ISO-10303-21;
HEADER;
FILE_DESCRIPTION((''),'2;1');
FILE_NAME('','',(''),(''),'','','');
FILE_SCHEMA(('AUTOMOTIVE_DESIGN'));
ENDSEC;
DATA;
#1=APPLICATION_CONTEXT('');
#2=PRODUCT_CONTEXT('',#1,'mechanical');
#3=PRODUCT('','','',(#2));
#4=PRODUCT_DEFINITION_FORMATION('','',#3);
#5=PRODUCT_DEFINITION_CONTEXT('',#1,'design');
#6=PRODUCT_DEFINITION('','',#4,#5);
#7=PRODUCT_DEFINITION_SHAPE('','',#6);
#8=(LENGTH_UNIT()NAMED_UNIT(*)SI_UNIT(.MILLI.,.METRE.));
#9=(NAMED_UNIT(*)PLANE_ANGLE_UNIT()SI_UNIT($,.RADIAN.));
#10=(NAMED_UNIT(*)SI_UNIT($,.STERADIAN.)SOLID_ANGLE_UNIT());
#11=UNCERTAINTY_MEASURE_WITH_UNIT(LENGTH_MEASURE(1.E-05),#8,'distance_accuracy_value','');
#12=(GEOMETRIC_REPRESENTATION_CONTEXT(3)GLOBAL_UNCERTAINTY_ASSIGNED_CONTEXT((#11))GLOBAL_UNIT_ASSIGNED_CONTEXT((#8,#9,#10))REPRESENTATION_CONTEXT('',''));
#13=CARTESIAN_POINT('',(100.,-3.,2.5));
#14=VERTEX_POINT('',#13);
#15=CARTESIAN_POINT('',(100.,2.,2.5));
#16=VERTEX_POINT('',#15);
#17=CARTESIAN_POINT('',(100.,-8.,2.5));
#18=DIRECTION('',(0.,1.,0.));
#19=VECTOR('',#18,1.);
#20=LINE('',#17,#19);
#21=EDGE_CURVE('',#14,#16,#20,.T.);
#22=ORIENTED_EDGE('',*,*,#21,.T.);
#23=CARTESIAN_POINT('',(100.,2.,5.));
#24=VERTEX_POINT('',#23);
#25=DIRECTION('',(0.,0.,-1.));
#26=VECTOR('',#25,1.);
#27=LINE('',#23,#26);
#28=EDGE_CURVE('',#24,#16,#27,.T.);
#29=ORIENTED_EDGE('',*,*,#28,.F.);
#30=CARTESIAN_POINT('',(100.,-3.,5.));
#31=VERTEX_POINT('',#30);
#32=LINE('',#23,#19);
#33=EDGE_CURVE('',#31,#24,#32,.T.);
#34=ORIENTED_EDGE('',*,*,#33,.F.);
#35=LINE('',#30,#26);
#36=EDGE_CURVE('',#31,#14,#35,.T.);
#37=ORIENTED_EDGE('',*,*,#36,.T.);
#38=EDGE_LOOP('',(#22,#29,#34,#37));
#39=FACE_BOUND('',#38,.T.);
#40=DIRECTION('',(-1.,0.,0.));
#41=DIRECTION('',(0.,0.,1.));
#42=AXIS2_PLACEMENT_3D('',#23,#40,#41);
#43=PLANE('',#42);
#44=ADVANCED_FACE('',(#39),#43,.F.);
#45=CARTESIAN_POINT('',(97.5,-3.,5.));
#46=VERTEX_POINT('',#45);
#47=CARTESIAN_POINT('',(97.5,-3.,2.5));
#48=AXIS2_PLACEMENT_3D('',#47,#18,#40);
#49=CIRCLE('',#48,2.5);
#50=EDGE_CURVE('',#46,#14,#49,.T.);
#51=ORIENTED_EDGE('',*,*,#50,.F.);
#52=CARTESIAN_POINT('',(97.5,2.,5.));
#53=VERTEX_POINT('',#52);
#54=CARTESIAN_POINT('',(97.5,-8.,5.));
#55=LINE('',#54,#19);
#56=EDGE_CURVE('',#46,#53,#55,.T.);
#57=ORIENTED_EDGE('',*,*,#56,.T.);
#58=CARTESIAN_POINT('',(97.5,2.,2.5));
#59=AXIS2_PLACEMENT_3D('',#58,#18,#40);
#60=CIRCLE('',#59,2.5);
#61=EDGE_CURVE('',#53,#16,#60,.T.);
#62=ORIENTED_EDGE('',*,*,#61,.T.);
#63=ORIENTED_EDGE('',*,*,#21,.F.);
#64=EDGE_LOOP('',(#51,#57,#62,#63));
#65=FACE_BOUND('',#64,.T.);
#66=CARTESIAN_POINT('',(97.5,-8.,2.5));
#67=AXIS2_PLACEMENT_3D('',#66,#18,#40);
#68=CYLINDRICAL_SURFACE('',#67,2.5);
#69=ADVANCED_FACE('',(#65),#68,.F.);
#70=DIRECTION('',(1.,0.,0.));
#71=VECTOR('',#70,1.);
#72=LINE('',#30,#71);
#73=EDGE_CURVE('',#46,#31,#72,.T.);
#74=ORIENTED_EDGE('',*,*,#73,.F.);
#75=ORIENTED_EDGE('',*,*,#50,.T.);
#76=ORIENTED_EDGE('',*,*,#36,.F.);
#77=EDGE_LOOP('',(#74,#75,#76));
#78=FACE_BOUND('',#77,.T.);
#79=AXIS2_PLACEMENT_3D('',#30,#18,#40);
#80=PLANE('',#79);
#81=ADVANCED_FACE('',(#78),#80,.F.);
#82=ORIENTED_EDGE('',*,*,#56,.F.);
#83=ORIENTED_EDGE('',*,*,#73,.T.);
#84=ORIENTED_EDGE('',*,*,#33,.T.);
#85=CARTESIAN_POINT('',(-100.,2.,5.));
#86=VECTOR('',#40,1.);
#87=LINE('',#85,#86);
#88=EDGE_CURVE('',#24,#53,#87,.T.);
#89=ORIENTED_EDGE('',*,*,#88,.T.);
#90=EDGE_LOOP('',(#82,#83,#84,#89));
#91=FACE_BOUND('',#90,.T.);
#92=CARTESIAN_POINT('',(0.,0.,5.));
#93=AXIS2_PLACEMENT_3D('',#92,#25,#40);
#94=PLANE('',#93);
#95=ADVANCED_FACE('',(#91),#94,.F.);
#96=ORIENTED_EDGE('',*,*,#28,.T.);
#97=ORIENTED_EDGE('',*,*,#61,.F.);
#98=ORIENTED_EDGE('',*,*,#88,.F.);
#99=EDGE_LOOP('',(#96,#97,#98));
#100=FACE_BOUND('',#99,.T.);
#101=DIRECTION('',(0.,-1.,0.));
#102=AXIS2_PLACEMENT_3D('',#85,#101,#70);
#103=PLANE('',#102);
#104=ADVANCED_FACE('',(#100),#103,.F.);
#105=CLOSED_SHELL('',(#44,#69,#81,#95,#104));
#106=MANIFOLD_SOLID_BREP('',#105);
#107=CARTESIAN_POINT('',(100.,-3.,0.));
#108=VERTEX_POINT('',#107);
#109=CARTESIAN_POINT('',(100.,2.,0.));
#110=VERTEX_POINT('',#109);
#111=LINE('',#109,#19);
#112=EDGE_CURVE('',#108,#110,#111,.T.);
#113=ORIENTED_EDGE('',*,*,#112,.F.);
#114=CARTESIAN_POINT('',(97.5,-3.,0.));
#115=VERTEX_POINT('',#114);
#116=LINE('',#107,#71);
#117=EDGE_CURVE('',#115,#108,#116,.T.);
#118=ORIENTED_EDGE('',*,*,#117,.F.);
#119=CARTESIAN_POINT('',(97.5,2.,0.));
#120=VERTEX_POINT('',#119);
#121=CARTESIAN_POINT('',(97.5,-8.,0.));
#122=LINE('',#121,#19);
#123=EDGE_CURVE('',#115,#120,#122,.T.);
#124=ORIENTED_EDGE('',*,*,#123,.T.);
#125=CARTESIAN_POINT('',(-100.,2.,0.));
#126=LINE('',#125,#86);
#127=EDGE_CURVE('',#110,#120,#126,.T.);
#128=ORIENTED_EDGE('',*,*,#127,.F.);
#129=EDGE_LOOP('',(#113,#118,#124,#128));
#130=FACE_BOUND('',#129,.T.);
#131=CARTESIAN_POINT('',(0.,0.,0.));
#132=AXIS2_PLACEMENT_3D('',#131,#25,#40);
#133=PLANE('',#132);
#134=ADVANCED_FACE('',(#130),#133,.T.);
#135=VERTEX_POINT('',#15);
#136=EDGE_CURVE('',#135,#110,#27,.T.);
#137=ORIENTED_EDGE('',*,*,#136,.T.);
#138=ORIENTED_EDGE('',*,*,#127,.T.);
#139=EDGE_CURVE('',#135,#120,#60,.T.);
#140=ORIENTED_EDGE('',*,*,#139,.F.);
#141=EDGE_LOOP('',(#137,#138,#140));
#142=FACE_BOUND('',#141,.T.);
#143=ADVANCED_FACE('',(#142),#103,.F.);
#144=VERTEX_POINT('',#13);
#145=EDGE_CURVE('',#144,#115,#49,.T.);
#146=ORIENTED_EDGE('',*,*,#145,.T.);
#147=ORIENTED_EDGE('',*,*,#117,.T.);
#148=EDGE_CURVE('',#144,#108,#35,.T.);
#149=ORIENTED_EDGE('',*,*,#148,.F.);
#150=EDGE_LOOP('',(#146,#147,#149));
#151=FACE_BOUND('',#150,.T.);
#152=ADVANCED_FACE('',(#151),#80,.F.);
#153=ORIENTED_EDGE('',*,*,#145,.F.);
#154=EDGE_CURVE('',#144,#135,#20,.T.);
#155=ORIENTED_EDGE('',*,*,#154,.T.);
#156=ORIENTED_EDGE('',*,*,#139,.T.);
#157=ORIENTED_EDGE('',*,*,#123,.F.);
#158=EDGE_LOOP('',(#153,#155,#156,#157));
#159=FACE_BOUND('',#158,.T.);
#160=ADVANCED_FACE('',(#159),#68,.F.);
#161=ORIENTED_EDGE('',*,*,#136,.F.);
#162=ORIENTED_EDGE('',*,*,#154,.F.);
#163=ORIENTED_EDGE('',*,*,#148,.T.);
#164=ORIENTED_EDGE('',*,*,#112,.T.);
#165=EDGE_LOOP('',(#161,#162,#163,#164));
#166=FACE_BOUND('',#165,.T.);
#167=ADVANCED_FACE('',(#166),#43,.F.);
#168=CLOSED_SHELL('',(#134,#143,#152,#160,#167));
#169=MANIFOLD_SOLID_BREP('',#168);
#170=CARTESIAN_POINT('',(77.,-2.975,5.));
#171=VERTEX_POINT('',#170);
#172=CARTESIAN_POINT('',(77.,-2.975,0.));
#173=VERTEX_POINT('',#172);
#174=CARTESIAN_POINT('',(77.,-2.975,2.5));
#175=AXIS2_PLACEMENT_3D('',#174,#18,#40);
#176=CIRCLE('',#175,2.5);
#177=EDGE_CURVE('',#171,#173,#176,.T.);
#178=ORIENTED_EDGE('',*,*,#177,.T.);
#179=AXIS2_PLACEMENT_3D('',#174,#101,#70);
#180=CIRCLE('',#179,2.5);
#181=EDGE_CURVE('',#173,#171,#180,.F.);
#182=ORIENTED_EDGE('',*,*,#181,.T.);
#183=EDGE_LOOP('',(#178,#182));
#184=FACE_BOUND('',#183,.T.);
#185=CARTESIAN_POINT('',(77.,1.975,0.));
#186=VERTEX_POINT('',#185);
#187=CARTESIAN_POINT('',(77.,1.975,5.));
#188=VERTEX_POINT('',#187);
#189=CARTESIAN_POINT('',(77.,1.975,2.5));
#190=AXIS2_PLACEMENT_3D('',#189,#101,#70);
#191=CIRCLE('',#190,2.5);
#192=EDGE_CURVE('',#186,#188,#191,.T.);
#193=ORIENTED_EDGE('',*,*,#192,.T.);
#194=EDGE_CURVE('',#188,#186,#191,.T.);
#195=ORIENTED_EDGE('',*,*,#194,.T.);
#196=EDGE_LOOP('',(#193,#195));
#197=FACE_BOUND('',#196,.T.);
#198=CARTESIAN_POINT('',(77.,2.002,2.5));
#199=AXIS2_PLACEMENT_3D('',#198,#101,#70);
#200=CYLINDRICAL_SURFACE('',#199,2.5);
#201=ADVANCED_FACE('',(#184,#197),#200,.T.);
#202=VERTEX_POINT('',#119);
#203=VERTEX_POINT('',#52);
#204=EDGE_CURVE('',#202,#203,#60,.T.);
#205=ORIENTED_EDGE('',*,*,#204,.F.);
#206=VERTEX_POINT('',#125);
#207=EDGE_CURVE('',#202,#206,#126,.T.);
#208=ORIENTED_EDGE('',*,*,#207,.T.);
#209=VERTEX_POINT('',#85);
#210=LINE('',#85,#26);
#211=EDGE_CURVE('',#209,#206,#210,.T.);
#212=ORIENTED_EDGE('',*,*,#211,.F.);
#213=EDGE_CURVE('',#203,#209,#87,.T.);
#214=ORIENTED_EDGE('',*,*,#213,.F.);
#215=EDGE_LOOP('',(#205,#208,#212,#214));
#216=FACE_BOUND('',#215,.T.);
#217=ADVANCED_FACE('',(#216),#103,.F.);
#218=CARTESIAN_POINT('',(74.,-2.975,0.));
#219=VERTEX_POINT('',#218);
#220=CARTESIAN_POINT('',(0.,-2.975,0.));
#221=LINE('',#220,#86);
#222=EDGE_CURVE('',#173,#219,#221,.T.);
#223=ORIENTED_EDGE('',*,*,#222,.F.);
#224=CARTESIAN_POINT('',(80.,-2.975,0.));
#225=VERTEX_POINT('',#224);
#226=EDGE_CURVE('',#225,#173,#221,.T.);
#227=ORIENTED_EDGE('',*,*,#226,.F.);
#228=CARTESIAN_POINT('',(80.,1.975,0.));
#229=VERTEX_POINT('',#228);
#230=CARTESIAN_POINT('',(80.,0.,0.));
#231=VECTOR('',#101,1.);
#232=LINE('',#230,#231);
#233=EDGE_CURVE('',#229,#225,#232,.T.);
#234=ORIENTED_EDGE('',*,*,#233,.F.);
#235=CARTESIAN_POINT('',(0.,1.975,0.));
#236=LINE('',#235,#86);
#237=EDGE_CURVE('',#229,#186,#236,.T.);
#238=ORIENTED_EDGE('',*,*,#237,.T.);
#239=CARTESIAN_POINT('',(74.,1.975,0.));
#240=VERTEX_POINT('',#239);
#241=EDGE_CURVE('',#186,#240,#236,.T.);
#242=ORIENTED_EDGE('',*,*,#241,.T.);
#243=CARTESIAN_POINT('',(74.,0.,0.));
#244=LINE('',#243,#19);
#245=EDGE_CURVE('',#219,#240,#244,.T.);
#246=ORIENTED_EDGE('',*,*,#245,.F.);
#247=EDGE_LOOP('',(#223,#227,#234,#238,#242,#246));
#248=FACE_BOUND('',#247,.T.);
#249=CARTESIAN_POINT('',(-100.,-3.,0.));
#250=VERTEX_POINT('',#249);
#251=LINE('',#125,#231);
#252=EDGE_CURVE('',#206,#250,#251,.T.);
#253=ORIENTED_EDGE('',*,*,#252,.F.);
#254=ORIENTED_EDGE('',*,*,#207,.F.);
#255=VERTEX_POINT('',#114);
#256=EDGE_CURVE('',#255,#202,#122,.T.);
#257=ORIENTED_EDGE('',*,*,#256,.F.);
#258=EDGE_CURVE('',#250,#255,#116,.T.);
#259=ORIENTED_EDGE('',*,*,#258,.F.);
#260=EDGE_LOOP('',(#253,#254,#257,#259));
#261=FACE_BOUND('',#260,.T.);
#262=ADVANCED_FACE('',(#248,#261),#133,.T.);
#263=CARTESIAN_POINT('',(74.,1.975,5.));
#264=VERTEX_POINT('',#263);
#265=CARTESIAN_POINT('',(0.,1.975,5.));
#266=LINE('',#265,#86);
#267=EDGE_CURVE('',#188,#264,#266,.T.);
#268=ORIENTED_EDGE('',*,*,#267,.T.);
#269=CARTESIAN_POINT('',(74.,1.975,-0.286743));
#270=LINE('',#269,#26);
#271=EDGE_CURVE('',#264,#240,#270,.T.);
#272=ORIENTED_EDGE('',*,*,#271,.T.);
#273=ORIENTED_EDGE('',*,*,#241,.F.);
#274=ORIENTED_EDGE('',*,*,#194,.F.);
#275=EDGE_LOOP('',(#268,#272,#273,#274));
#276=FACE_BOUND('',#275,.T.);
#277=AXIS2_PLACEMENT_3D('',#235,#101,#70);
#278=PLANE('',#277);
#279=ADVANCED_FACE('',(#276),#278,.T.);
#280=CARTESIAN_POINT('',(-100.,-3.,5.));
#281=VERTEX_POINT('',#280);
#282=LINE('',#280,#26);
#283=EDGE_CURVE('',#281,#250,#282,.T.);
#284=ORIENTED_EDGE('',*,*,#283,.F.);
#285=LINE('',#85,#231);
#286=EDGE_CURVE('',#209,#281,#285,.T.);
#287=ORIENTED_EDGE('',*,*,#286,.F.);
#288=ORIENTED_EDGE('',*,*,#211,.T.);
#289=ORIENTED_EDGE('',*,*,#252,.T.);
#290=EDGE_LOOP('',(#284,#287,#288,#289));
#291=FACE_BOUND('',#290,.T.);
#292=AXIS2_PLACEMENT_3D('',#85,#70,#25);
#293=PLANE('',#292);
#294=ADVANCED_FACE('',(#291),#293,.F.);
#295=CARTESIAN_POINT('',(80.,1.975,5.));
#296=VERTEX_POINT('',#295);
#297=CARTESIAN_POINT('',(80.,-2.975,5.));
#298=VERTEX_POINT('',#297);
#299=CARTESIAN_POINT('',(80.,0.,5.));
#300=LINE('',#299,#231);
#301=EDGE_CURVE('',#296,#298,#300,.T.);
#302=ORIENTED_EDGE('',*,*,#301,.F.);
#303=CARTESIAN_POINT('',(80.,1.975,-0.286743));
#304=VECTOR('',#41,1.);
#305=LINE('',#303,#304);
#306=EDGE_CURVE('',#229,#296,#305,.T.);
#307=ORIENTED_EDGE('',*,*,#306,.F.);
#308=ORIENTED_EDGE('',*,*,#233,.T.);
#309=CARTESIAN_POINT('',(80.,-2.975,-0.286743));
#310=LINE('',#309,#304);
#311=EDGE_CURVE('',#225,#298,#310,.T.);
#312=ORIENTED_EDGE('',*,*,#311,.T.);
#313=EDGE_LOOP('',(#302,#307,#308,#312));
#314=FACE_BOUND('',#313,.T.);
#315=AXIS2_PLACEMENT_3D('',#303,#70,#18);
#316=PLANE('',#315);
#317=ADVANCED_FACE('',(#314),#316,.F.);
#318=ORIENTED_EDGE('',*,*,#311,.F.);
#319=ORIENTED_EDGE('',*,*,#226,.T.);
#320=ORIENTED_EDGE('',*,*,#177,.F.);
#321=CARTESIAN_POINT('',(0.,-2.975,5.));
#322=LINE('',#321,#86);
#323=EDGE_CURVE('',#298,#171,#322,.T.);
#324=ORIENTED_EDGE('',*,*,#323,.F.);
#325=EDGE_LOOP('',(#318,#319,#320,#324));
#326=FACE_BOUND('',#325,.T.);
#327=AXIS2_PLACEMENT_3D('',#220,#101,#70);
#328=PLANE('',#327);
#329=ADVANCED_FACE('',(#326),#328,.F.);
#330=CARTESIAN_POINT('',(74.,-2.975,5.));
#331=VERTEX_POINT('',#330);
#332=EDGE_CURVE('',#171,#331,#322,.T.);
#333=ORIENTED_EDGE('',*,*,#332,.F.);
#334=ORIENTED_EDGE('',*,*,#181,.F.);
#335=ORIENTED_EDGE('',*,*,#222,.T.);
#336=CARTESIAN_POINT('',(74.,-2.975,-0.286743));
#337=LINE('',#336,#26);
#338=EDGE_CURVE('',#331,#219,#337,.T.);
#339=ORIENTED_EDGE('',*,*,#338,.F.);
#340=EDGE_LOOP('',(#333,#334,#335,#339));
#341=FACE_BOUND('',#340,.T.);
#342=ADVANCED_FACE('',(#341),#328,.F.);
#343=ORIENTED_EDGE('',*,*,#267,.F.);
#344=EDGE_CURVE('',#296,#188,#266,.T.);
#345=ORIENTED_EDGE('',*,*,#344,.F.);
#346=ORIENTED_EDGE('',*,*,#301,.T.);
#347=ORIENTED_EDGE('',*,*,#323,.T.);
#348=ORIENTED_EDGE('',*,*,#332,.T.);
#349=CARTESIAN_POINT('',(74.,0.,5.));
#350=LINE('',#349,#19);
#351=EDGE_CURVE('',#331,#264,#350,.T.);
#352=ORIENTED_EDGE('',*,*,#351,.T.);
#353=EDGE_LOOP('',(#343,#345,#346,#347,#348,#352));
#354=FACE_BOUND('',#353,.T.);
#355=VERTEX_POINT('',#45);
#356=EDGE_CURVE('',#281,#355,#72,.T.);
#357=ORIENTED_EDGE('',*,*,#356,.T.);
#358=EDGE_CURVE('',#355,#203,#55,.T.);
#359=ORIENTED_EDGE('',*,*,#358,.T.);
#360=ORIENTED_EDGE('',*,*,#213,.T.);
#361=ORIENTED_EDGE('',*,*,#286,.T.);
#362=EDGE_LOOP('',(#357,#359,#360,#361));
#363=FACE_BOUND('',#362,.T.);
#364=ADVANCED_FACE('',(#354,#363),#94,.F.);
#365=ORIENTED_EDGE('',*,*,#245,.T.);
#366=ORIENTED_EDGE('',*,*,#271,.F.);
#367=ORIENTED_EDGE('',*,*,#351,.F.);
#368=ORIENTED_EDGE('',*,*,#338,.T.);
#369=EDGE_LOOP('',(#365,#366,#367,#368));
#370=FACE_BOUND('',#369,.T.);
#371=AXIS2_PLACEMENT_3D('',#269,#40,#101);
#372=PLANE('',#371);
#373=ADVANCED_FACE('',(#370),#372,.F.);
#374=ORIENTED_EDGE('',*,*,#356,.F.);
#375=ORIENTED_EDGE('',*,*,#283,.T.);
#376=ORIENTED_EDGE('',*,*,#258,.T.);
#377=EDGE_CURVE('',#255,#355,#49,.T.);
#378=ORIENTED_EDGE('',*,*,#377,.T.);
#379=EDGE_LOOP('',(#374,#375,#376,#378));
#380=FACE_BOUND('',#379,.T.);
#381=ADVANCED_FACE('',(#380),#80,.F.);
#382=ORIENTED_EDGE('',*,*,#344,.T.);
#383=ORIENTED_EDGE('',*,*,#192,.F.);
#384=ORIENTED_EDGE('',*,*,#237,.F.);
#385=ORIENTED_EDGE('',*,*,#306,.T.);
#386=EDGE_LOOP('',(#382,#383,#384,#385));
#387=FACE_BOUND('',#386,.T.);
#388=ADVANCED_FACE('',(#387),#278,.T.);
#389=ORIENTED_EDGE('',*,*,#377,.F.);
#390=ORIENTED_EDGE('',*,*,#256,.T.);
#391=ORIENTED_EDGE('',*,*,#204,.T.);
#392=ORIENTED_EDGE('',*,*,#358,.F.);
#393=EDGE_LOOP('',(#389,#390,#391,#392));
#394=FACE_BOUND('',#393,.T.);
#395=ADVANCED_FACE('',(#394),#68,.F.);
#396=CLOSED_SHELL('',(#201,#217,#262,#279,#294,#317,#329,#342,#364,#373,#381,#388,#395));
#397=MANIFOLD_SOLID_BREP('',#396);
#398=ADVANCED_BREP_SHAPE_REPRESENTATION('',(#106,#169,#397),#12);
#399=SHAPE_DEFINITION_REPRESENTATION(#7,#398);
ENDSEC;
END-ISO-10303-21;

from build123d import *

# Parameters (mm, degrees)
SKETCH1_W           = 200
SKETCH1_H           = 5
BOSS_EXTRUDE1_DEPTH = 5
SKETCH3_R           = 2.5
BOSS_EXTRUDE3_DEPTH = 5
SKETCH6_R           = 2.5
CUT_EXTRUDE6_DEPTH  = 10
SKETCH7_R           = 2.5
CUT_EXTRUDE7_DEPTH  = 10
SKETCH8_W           = 6
SKETCH8_H           = 6
CUT_EXTRUDE8_DEPTH  = 2.475
BOSS_EXTRUDE4_REACH = 102.248
SKETCH9_R           = 2.5
SKETCH7_2_R         = 2.5
BOSS_EXTRUDE5_DEPTH = 5


with BuildPart() as part:
    # Sketch1 → Boss-Extrude1 (new body)
    with BuildSketch(Plane.XY):
        with Locations((0, -0.5)):
            Rectangle(SKETCH1_W, SKETCH1_H)
    extrude(amount=BOSS_EXTRUDE1_DEPTH)

    # Sketch3 → Boss-Extrude3 (add)
    with BuildSketch(Plane.XZ.offset(3)):
        with Locations((96.663551579, 2.5)):
            Circle(SKETCH3_R)
    extrude(amount=-BOSS_EXTRUDE3_DEPTH)

    # Sketch6 → Cut-Extrude6 (cut)
    with BuildSketch(Plane(origin=(0, 2, 0), x_dir=(1, 0, 0), z_dir=(0, 1, 0))):
        with Locations((97.5, -2.5)):
            Circle(SKETCH6_R)
    extrude(amount=-CUT_EXTRUDE6_DEPTH, mode=Mode.SUBTRACT)


with BuildPart() as cut_extrude6_piece_1:
    # of the separate pieces the step leaves, piece 1, a body of its own (cut_extrude6_pieces)
    add(part.part.solids().sort_by_distance((-100, 2, 0))[0])

    # Sketch7 → Cut-Extrude7 (cut)
    with BuildSketch(Plane(origin=(0, 2, 0), x_dir=(1, 0, 0), z_dir=(0, 1, 0))):
        with Locations((-97.5, -2.5)):
            Circle(SKETCH7_R)
    extrude(amount=-CUT_EXTRUDE7_DEPTH, mode=Mode.SUBTRACT)


with BuildPart() as cut_extrude6_piece_2:
    # of the separate pieces the step leaves, piece 2, a body of its own (cut_extrude6_pieces)
    add(part.part.solids().sort_by_distance((100, -3, 0))[0])


with BuildPart() as cut_extrude6_piece_3:
    # of the separate pieces the step leaves, piece 3, a body of its own (cut_extrude6_pieces)
    add(part.part.solids().sort_by_distance((100, 2, 5))[0])


with BuildPart() as cut_extrude7_piece_1:
    # of the separate pieces the step leaves, piece 1, a body of its own (cut_extrude7_pieces)
    add(cut_extrude6_piece_1.part.solids().sort_by_distance((97.5, 2, 0))[0])

    # Sketch8 → Cut-Extrude8 (cut, symmetric)
    with BuildSketch(Plane(origin=(0, -0.5, 0), x_dir=(-1, 0, 0), z_dir=(0, -1, 0))):
        with Locations((-77, -2.713256796)):
            Rectangle(SKETCH8_W, SKETCH8_H)
    extrude(amount=CUT_EXTRUDE8_DEPTH, both=True, mode=Mode.SUBTRACT)

    # Sketch9 → Boss-Extrude4 (add, up to next)
    with BuildSketch(Plane(origin=(0, -2.975, 0), x_dir=(1, 0, 0), z_dir=(0, 1, 0)), mode=Mode.PRIVATE) as boss_extrude4_sk1:
        with Locations(Location((77, -2.5, 0), (0, 0, 90))):
            Circle(SKETCH9_R)
    boss_extrude4_tool1 = extrude(boss_extrude4_sk1.sketch, amount=BOSS_EXTRUDE4_REACH, mode=Mode.PRIVATE) - cut_extrude7_piece_1.part
    add(boss_extrude4_tool1.solids().sort_by_distance((77, -2.975, 2.5))[0])



with BuildPart() as cut_extrude7_piece_2:
    # of the separate pieces the step leaves, piece 2, a body of its own (cut_extrude7_pieces)
    add(cut_extrude6_piece_1.part.solids().sort_by_distance((-100, 2, 0))[0])


with BuildPart() as cut_extrude7_piece_3:
    # of the separate pieces the step leaves, piece 3, a body of its own (cut_extrude7_pieces)
    add(cut_extrude6_piece_1.part.solids().sort_by_distance((-100, -3, 5))[0])


with BuildPart() as cut_extrude7_piece_1_1:
    add(cut_extrude7_piece_1.part)

    add(cut_extrude7_piece_2.part)  # Boss-Extrude5 merges Cut-Extrude7 piece 2

    add(cut_extrude7_piece_3.part)  # Boss-Extrude5 merges Cut-Extrude7 piece 3
    # Sketch7<2> → Boss-Extrude5 (add)
    with BuildSketch(Plane(origin=(0, 2, 0), x_dir=(1, 0, 0), z_dir=(0, 1, 0))):
        with Locations((-97.5, -2.5)):
            Circle(SKETCH7_2_R)
    extrude(amount=-BOSS_EXTRUDE5_DEPTH)


solid = Compound([cut_extrude6_piece_2.part, cut_extrude6_piece_3.part, cut_extrude7_piece_1_1.part])
